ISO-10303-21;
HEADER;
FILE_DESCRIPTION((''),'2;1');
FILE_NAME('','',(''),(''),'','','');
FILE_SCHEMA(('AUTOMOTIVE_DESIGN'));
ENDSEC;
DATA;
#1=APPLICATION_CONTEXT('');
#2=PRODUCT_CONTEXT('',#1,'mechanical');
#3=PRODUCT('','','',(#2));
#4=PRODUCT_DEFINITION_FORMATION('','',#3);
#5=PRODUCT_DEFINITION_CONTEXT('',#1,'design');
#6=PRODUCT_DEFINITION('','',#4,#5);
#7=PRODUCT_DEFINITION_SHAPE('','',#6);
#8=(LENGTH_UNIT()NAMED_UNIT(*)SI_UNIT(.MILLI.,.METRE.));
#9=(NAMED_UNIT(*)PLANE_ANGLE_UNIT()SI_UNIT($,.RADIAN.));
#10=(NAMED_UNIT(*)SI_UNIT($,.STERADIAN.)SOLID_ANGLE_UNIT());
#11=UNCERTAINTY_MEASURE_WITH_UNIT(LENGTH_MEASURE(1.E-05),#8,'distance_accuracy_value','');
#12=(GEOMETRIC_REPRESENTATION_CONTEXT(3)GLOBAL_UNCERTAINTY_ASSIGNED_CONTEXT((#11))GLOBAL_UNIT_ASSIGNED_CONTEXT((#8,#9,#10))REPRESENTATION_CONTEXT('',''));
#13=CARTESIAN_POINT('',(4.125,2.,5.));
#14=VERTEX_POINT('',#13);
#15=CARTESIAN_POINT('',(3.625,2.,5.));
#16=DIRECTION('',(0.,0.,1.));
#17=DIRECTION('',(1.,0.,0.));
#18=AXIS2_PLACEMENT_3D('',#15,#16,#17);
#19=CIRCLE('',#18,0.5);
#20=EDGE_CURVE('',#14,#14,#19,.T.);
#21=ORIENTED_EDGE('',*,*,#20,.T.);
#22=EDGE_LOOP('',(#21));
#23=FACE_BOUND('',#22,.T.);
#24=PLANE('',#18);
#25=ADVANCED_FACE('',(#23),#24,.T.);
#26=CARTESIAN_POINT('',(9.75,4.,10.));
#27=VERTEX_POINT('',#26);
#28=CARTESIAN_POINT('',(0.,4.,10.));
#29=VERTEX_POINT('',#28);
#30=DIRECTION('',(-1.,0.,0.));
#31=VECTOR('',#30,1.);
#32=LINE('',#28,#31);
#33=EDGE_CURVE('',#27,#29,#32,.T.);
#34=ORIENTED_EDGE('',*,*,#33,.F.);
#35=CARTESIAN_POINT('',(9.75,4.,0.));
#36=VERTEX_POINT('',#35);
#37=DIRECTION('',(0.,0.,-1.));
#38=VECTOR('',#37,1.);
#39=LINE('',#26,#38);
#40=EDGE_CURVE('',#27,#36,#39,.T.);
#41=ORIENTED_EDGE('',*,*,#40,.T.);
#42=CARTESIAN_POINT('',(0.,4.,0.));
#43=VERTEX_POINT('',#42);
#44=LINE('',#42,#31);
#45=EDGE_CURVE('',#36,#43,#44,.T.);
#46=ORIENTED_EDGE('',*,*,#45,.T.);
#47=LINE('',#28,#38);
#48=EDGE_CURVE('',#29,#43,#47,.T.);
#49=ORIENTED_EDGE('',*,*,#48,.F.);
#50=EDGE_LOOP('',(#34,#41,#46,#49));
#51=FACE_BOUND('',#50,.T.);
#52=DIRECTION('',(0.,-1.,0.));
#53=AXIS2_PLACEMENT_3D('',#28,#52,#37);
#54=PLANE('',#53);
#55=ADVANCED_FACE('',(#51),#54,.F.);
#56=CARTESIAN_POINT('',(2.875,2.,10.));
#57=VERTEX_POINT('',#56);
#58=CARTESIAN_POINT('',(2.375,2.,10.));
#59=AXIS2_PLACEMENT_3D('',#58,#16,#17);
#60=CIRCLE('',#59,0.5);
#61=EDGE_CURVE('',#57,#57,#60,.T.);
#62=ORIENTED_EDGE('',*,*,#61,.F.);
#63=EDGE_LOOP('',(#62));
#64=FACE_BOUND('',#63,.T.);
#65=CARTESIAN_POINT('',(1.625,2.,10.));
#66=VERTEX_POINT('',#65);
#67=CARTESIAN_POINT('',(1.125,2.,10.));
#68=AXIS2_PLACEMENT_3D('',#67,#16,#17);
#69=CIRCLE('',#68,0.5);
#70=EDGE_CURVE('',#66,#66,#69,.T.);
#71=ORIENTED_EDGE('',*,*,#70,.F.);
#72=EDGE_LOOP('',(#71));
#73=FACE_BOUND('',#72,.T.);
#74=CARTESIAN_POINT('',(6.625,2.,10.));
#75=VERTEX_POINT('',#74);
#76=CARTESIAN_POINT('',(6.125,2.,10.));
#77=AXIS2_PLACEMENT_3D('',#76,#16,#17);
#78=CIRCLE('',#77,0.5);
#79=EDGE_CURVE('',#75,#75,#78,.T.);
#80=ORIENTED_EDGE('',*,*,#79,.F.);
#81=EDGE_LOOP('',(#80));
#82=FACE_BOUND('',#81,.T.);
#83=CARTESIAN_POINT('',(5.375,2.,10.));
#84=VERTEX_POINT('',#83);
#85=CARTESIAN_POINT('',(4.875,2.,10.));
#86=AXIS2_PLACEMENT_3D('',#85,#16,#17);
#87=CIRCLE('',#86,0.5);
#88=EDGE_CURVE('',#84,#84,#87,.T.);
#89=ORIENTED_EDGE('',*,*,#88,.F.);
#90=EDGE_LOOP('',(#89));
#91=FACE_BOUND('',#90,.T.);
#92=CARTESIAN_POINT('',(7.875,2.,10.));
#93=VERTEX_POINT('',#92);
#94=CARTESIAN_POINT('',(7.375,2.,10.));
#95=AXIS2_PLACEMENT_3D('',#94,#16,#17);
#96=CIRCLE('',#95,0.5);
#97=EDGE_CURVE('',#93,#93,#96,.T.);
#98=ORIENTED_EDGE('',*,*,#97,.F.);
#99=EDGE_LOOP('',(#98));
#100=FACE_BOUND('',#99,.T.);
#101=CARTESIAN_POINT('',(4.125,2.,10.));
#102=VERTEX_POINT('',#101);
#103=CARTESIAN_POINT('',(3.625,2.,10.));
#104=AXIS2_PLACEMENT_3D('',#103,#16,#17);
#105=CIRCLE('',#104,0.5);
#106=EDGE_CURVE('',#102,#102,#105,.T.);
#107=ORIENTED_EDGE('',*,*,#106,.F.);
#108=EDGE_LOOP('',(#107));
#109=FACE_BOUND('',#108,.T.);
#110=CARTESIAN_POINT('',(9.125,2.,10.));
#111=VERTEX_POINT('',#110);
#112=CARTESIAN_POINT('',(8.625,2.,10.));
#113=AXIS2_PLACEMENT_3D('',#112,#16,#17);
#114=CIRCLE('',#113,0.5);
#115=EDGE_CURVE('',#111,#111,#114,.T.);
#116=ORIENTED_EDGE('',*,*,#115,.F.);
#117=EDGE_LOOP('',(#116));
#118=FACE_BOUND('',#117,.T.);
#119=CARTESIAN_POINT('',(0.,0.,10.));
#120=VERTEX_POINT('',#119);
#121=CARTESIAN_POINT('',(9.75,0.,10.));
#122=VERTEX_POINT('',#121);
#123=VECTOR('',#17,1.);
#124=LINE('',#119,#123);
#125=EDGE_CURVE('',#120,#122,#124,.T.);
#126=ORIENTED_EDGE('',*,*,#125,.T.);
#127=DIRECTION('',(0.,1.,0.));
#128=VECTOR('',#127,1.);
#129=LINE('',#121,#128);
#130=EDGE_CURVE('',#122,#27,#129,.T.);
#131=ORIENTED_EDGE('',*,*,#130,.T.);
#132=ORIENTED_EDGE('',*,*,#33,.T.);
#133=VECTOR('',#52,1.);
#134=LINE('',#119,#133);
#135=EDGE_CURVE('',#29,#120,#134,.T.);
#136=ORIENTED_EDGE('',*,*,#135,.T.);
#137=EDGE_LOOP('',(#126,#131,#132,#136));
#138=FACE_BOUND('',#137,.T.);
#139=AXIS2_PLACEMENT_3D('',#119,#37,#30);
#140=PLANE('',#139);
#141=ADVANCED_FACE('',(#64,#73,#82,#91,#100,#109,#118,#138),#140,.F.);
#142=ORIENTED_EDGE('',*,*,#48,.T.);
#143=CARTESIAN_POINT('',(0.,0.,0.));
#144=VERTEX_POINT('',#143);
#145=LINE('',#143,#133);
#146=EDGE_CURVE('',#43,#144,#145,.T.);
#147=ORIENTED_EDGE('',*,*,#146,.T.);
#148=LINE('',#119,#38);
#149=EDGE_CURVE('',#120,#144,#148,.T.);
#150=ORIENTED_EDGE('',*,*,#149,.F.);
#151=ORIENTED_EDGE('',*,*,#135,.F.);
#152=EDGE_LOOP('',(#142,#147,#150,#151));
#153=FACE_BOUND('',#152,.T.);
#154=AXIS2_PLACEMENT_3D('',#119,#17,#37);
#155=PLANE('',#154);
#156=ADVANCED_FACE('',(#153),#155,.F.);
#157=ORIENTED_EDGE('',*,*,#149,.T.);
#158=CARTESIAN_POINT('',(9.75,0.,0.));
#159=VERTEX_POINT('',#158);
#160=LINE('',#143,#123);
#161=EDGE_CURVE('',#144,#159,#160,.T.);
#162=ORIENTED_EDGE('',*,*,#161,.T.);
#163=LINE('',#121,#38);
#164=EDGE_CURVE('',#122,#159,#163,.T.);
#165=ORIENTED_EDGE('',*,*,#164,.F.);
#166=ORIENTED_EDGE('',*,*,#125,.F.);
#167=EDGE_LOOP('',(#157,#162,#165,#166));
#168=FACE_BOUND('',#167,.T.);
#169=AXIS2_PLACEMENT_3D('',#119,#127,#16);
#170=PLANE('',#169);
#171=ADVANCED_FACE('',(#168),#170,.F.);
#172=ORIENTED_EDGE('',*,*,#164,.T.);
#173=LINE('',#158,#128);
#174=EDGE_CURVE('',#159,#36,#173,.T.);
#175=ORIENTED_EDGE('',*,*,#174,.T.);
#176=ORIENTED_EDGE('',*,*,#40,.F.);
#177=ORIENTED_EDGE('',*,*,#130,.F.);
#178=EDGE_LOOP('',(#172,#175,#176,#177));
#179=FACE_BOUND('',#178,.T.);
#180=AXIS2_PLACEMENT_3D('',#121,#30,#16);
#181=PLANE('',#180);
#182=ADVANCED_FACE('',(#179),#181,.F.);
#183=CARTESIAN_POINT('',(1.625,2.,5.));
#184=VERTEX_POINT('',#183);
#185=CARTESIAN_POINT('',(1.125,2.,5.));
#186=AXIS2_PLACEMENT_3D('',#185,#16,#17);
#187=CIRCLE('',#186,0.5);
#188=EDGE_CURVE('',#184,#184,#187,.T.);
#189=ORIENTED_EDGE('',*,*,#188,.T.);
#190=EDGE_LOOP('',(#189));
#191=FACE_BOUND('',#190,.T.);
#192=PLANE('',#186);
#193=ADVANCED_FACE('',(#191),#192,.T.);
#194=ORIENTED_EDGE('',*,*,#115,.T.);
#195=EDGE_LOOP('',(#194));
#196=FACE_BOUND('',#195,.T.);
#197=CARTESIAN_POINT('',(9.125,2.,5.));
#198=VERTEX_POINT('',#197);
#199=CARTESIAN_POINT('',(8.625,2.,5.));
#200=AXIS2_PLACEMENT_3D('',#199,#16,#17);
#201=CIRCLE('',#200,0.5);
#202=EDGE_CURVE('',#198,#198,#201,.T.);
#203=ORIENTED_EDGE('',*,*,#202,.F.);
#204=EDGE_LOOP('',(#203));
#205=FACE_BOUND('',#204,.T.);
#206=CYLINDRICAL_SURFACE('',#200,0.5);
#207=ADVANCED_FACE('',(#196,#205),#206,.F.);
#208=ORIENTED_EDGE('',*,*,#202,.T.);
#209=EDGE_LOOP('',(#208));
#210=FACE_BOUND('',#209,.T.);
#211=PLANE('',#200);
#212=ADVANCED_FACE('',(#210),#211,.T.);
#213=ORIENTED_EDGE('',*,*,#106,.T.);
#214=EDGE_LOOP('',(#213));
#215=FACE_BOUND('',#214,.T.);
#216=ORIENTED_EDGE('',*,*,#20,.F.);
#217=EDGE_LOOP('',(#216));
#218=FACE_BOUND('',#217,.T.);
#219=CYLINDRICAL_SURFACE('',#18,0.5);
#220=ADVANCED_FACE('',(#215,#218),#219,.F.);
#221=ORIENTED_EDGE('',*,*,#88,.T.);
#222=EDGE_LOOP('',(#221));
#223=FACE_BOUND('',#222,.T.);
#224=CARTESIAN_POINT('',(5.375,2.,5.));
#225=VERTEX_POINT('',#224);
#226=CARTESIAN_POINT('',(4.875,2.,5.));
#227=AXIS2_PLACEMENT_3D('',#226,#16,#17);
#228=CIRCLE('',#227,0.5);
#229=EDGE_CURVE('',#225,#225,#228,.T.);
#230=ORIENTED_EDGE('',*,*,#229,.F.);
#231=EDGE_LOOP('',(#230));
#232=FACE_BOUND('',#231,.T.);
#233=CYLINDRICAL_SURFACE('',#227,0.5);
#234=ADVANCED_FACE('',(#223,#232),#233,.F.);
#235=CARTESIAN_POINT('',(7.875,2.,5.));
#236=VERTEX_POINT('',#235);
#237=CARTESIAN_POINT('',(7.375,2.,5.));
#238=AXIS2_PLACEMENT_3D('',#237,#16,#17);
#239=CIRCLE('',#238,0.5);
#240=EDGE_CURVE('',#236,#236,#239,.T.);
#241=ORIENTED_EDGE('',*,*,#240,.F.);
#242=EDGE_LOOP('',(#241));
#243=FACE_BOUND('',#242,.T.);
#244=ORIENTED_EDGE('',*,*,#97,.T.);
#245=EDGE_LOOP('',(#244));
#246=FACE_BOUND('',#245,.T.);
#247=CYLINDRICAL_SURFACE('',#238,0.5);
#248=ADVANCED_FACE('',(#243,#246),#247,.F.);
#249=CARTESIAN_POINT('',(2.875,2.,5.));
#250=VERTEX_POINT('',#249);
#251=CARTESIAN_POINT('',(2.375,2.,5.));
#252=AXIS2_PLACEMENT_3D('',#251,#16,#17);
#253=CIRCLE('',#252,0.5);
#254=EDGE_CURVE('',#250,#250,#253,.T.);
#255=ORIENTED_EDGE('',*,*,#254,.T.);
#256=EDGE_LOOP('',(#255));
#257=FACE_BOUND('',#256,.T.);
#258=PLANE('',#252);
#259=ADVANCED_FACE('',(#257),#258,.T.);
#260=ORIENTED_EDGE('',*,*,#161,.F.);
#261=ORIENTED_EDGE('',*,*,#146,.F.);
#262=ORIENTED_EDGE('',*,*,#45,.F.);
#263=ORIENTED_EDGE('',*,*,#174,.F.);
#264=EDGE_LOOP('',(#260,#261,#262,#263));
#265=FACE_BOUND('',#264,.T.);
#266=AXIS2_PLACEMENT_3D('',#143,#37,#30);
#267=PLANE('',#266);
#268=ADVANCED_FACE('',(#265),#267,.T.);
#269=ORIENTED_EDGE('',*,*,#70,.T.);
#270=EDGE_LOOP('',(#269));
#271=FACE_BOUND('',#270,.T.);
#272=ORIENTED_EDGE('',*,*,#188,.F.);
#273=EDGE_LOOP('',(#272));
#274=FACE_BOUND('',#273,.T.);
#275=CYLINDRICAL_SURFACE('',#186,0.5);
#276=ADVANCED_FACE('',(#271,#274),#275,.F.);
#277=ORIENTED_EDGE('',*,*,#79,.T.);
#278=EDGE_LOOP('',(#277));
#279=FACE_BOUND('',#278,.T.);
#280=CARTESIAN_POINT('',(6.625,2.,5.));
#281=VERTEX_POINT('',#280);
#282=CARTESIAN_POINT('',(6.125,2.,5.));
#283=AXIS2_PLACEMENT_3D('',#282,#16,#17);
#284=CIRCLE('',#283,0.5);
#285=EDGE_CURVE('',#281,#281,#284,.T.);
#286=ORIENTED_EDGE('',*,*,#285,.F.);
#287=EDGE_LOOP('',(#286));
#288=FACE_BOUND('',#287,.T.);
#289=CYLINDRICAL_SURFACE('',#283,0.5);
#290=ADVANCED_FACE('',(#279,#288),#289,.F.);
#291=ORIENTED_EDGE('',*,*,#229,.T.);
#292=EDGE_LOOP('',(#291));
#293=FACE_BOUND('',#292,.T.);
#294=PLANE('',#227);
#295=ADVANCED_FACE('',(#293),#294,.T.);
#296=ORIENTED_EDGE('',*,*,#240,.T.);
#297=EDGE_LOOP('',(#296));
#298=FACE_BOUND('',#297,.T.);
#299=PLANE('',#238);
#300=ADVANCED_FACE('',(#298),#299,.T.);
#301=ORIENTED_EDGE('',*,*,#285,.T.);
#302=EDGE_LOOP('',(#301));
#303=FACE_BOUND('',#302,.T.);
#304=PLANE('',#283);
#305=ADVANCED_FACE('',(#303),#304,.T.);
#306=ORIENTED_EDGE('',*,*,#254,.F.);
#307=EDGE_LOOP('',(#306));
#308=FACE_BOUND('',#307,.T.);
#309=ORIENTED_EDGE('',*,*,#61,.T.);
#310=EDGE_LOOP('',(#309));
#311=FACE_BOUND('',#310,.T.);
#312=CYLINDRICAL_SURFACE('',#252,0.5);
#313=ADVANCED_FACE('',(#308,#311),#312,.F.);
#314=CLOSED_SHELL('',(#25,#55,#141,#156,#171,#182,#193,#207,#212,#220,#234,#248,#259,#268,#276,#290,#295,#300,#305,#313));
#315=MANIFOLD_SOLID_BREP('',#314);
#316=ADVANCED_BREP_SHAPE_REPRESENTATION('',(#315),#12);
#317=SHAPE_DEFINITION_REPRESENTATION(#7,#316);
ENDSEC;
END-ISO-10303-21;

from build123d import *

# Parameters (mm, degrees)
SKETCH2_W           = 9.75
SKETCH2_H           = 4
BOSS_EXTRUDE1_DEPTH = 10
SKETCH3_R           = 0.5
CUT_EXTRUDE1_DEPTH  = 5


with BuildPart() as part:
    # Sketch2 → Boss-Extrude1 (new body)
    with BuildSketch(Plane.XY):
        with Locations((4.875, 2)):
            Rectangle(SKETCH2_W, SKETCH2_H)
    extrude(amount=BOSS_EXTRUDE1_DEPTH)

    # Sketch3 → Cut-Extrude1 (cut)
    with BuildSketch(Plane.XY.offset(10)):
        with Locations((1.125, 2)):
            Circle(SKETCH3_R)
        with Locations((2.375, 2)):
            Circle(SKETCH3_R)
        with Locations((3.625, 2)):
            Circle(SKETCH3_R)
        with Locations((4.875, 2)):
            Circle(SKETCH3_R)
        with Locations((6.125, 2)):
            Circle(SKETCH3_R)
        with Locations((7.375, 2)):
            Circle(SKETCH3_R)
        with Locations((8.625, 2)):
            Circle(SKETCH3_R)
    extrude(amount=-CUT_EXTRUDE1_DEPTH, mode=Mode.SUBTRACT)


solid = part.part
